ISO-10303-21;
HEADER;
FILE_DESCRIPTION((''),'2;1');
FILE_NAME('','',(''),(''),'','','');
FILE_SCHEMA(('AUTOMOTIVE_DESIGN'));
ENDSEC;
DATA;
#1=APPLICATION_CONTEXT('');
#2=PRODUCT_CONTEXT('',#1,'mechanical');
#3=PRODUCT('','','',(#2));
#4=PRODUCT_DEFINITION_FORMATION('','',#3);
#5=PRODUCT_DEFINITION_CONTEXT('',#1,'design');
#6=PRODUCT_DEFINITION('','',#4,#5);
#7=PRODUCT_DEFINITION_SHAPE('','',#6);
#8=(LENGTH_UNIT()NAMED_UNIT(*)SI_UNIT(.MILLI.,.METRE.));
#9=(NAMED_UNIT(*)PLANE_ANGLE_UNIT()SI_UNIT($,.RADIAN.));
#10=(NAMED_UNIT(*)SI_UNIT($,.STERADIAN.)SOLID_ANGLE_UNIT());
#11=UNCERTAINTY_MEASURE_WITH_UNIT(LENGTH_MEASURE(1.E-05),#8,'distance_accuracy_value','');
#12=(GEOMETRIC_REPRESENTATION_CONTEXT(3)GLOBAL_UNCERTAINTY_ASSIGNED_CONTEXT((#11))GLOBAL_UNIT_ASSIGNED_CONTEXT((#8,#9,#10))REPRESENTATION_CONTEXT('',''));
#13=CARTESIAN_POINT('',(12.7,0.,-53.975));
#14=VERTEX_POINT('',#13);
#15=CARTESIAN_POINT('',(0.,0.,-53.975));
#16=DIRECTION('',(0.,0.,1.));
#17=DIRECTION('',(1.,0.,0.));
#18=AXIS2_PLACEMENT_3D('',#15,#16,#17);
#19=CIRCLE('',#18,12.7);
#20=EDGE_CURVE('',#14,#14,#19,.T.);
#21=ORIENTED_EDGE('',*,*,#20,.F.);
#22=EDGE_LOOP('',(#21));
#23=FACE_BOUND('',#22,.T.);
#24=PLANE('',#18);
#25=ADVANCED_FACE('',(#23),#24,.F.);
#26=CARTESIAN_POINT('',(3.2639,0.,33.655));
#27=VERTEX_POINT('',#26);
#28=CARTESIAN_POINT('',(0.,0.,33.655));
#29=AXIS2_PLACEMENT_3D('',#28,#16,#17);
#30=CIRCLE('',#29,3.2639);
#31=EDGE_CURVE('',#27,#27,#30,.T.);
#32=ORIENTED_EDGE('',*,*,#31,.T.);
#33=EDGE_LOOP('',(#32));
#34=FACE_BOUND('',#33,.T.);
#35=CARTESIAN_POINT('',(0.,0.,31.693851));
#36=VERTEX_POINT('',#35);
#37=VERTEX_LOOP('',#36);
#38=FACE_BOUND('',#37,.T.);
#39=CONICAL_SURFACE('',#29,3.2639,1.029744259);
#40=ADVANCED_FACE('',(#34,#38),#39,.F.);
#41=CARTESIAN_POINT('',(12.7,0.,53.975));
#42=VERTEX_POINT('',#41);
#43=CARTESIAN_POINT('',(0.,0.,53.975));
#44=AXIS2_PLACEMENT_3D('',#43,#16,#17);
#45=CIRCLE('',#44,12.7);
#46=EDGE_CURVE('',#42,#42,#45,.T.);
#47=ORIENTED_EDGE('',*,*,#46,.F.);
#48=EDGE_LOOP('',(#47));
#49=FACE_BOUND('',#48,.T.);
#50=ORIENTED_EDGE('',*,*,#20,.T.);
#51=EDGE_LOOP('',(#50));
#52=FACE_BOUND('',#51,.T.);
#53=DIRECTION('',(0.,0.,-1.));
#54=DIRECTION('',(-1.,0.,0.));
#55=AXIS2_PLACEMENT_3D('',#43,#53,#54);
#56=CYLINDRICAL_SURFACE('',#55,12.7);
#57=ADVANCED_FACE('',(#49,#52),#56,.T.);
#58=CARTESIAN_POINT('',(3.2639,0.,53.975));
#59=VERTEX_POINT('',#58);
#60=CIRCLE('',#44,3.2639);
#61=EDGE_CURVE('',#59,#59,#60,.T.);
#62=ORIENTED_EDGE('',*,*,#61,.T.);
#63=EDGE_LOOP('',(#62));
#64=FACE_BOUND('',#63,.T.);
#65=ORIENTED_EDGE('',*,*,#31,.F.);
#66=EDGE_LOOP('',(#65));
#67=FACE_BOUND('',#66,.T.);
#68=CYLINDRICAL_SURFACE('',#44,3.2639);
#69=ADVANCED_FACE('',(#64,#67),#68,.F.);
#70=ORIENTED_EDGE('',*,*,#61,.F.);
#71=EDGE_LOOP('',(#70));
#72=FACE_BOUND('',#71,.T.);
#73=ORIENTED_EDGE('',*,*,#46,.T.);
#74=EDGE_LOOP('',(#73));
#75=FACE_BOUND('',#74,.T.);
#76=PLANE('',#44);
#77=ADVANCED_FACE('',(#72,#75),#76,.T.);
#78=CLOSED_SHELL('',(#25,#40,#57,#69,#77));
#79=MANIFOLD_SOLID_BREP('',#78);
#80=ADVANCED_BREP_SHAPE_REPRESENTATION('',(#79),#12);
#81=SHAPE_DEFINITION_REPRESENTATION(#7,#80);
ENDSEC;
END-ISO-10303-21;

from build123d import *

# Parameters (mm, degrees)
SKETCH1_R                    = 12.7
EXTRUDE1_DEPTH               = 53.975
F_5_16_18_TAPPED_HOLE1_D     = 6.5278
F_5_16_18_TAPPED_HOLE1_DEPTH = 20.32
F_5_16_18_TAPPED_HOLE1_TIP   = 1.961148974


with BuildPart() as part:
    # Sketch1 → Extrude1 (new body, symmetric)
    with BuildSketch(Plane.XY):
        Circle(SKETCH1_R)
    extrude(amount=EXTRUDE1_DEPTH, both=True)

    # 5/16-18 Tapped Hole1
    with Locations(Plane.XY.offset(53.975)):
        with Locations((0, 0)):
            Hole(F_5_16_18_TAPPED_HOLE1_D / 2, depth=F_5_16_18_TAPPED_HOLE1_DEPTH)
            with Locations((0, 0, -(F_5_16_18_TAPPED_HOLE1_DEPTH + F_5_16_18_TAPPED_HOLE1_TIP / 2))):  # 118° drill point
                Cone(0, F_5_16_18_TAPPED_HOLE1_D / 2, F_5_16_18_TAPPED_HOLE1_TIP, mode=Mode.SUBTRACT)


solid = part.part
